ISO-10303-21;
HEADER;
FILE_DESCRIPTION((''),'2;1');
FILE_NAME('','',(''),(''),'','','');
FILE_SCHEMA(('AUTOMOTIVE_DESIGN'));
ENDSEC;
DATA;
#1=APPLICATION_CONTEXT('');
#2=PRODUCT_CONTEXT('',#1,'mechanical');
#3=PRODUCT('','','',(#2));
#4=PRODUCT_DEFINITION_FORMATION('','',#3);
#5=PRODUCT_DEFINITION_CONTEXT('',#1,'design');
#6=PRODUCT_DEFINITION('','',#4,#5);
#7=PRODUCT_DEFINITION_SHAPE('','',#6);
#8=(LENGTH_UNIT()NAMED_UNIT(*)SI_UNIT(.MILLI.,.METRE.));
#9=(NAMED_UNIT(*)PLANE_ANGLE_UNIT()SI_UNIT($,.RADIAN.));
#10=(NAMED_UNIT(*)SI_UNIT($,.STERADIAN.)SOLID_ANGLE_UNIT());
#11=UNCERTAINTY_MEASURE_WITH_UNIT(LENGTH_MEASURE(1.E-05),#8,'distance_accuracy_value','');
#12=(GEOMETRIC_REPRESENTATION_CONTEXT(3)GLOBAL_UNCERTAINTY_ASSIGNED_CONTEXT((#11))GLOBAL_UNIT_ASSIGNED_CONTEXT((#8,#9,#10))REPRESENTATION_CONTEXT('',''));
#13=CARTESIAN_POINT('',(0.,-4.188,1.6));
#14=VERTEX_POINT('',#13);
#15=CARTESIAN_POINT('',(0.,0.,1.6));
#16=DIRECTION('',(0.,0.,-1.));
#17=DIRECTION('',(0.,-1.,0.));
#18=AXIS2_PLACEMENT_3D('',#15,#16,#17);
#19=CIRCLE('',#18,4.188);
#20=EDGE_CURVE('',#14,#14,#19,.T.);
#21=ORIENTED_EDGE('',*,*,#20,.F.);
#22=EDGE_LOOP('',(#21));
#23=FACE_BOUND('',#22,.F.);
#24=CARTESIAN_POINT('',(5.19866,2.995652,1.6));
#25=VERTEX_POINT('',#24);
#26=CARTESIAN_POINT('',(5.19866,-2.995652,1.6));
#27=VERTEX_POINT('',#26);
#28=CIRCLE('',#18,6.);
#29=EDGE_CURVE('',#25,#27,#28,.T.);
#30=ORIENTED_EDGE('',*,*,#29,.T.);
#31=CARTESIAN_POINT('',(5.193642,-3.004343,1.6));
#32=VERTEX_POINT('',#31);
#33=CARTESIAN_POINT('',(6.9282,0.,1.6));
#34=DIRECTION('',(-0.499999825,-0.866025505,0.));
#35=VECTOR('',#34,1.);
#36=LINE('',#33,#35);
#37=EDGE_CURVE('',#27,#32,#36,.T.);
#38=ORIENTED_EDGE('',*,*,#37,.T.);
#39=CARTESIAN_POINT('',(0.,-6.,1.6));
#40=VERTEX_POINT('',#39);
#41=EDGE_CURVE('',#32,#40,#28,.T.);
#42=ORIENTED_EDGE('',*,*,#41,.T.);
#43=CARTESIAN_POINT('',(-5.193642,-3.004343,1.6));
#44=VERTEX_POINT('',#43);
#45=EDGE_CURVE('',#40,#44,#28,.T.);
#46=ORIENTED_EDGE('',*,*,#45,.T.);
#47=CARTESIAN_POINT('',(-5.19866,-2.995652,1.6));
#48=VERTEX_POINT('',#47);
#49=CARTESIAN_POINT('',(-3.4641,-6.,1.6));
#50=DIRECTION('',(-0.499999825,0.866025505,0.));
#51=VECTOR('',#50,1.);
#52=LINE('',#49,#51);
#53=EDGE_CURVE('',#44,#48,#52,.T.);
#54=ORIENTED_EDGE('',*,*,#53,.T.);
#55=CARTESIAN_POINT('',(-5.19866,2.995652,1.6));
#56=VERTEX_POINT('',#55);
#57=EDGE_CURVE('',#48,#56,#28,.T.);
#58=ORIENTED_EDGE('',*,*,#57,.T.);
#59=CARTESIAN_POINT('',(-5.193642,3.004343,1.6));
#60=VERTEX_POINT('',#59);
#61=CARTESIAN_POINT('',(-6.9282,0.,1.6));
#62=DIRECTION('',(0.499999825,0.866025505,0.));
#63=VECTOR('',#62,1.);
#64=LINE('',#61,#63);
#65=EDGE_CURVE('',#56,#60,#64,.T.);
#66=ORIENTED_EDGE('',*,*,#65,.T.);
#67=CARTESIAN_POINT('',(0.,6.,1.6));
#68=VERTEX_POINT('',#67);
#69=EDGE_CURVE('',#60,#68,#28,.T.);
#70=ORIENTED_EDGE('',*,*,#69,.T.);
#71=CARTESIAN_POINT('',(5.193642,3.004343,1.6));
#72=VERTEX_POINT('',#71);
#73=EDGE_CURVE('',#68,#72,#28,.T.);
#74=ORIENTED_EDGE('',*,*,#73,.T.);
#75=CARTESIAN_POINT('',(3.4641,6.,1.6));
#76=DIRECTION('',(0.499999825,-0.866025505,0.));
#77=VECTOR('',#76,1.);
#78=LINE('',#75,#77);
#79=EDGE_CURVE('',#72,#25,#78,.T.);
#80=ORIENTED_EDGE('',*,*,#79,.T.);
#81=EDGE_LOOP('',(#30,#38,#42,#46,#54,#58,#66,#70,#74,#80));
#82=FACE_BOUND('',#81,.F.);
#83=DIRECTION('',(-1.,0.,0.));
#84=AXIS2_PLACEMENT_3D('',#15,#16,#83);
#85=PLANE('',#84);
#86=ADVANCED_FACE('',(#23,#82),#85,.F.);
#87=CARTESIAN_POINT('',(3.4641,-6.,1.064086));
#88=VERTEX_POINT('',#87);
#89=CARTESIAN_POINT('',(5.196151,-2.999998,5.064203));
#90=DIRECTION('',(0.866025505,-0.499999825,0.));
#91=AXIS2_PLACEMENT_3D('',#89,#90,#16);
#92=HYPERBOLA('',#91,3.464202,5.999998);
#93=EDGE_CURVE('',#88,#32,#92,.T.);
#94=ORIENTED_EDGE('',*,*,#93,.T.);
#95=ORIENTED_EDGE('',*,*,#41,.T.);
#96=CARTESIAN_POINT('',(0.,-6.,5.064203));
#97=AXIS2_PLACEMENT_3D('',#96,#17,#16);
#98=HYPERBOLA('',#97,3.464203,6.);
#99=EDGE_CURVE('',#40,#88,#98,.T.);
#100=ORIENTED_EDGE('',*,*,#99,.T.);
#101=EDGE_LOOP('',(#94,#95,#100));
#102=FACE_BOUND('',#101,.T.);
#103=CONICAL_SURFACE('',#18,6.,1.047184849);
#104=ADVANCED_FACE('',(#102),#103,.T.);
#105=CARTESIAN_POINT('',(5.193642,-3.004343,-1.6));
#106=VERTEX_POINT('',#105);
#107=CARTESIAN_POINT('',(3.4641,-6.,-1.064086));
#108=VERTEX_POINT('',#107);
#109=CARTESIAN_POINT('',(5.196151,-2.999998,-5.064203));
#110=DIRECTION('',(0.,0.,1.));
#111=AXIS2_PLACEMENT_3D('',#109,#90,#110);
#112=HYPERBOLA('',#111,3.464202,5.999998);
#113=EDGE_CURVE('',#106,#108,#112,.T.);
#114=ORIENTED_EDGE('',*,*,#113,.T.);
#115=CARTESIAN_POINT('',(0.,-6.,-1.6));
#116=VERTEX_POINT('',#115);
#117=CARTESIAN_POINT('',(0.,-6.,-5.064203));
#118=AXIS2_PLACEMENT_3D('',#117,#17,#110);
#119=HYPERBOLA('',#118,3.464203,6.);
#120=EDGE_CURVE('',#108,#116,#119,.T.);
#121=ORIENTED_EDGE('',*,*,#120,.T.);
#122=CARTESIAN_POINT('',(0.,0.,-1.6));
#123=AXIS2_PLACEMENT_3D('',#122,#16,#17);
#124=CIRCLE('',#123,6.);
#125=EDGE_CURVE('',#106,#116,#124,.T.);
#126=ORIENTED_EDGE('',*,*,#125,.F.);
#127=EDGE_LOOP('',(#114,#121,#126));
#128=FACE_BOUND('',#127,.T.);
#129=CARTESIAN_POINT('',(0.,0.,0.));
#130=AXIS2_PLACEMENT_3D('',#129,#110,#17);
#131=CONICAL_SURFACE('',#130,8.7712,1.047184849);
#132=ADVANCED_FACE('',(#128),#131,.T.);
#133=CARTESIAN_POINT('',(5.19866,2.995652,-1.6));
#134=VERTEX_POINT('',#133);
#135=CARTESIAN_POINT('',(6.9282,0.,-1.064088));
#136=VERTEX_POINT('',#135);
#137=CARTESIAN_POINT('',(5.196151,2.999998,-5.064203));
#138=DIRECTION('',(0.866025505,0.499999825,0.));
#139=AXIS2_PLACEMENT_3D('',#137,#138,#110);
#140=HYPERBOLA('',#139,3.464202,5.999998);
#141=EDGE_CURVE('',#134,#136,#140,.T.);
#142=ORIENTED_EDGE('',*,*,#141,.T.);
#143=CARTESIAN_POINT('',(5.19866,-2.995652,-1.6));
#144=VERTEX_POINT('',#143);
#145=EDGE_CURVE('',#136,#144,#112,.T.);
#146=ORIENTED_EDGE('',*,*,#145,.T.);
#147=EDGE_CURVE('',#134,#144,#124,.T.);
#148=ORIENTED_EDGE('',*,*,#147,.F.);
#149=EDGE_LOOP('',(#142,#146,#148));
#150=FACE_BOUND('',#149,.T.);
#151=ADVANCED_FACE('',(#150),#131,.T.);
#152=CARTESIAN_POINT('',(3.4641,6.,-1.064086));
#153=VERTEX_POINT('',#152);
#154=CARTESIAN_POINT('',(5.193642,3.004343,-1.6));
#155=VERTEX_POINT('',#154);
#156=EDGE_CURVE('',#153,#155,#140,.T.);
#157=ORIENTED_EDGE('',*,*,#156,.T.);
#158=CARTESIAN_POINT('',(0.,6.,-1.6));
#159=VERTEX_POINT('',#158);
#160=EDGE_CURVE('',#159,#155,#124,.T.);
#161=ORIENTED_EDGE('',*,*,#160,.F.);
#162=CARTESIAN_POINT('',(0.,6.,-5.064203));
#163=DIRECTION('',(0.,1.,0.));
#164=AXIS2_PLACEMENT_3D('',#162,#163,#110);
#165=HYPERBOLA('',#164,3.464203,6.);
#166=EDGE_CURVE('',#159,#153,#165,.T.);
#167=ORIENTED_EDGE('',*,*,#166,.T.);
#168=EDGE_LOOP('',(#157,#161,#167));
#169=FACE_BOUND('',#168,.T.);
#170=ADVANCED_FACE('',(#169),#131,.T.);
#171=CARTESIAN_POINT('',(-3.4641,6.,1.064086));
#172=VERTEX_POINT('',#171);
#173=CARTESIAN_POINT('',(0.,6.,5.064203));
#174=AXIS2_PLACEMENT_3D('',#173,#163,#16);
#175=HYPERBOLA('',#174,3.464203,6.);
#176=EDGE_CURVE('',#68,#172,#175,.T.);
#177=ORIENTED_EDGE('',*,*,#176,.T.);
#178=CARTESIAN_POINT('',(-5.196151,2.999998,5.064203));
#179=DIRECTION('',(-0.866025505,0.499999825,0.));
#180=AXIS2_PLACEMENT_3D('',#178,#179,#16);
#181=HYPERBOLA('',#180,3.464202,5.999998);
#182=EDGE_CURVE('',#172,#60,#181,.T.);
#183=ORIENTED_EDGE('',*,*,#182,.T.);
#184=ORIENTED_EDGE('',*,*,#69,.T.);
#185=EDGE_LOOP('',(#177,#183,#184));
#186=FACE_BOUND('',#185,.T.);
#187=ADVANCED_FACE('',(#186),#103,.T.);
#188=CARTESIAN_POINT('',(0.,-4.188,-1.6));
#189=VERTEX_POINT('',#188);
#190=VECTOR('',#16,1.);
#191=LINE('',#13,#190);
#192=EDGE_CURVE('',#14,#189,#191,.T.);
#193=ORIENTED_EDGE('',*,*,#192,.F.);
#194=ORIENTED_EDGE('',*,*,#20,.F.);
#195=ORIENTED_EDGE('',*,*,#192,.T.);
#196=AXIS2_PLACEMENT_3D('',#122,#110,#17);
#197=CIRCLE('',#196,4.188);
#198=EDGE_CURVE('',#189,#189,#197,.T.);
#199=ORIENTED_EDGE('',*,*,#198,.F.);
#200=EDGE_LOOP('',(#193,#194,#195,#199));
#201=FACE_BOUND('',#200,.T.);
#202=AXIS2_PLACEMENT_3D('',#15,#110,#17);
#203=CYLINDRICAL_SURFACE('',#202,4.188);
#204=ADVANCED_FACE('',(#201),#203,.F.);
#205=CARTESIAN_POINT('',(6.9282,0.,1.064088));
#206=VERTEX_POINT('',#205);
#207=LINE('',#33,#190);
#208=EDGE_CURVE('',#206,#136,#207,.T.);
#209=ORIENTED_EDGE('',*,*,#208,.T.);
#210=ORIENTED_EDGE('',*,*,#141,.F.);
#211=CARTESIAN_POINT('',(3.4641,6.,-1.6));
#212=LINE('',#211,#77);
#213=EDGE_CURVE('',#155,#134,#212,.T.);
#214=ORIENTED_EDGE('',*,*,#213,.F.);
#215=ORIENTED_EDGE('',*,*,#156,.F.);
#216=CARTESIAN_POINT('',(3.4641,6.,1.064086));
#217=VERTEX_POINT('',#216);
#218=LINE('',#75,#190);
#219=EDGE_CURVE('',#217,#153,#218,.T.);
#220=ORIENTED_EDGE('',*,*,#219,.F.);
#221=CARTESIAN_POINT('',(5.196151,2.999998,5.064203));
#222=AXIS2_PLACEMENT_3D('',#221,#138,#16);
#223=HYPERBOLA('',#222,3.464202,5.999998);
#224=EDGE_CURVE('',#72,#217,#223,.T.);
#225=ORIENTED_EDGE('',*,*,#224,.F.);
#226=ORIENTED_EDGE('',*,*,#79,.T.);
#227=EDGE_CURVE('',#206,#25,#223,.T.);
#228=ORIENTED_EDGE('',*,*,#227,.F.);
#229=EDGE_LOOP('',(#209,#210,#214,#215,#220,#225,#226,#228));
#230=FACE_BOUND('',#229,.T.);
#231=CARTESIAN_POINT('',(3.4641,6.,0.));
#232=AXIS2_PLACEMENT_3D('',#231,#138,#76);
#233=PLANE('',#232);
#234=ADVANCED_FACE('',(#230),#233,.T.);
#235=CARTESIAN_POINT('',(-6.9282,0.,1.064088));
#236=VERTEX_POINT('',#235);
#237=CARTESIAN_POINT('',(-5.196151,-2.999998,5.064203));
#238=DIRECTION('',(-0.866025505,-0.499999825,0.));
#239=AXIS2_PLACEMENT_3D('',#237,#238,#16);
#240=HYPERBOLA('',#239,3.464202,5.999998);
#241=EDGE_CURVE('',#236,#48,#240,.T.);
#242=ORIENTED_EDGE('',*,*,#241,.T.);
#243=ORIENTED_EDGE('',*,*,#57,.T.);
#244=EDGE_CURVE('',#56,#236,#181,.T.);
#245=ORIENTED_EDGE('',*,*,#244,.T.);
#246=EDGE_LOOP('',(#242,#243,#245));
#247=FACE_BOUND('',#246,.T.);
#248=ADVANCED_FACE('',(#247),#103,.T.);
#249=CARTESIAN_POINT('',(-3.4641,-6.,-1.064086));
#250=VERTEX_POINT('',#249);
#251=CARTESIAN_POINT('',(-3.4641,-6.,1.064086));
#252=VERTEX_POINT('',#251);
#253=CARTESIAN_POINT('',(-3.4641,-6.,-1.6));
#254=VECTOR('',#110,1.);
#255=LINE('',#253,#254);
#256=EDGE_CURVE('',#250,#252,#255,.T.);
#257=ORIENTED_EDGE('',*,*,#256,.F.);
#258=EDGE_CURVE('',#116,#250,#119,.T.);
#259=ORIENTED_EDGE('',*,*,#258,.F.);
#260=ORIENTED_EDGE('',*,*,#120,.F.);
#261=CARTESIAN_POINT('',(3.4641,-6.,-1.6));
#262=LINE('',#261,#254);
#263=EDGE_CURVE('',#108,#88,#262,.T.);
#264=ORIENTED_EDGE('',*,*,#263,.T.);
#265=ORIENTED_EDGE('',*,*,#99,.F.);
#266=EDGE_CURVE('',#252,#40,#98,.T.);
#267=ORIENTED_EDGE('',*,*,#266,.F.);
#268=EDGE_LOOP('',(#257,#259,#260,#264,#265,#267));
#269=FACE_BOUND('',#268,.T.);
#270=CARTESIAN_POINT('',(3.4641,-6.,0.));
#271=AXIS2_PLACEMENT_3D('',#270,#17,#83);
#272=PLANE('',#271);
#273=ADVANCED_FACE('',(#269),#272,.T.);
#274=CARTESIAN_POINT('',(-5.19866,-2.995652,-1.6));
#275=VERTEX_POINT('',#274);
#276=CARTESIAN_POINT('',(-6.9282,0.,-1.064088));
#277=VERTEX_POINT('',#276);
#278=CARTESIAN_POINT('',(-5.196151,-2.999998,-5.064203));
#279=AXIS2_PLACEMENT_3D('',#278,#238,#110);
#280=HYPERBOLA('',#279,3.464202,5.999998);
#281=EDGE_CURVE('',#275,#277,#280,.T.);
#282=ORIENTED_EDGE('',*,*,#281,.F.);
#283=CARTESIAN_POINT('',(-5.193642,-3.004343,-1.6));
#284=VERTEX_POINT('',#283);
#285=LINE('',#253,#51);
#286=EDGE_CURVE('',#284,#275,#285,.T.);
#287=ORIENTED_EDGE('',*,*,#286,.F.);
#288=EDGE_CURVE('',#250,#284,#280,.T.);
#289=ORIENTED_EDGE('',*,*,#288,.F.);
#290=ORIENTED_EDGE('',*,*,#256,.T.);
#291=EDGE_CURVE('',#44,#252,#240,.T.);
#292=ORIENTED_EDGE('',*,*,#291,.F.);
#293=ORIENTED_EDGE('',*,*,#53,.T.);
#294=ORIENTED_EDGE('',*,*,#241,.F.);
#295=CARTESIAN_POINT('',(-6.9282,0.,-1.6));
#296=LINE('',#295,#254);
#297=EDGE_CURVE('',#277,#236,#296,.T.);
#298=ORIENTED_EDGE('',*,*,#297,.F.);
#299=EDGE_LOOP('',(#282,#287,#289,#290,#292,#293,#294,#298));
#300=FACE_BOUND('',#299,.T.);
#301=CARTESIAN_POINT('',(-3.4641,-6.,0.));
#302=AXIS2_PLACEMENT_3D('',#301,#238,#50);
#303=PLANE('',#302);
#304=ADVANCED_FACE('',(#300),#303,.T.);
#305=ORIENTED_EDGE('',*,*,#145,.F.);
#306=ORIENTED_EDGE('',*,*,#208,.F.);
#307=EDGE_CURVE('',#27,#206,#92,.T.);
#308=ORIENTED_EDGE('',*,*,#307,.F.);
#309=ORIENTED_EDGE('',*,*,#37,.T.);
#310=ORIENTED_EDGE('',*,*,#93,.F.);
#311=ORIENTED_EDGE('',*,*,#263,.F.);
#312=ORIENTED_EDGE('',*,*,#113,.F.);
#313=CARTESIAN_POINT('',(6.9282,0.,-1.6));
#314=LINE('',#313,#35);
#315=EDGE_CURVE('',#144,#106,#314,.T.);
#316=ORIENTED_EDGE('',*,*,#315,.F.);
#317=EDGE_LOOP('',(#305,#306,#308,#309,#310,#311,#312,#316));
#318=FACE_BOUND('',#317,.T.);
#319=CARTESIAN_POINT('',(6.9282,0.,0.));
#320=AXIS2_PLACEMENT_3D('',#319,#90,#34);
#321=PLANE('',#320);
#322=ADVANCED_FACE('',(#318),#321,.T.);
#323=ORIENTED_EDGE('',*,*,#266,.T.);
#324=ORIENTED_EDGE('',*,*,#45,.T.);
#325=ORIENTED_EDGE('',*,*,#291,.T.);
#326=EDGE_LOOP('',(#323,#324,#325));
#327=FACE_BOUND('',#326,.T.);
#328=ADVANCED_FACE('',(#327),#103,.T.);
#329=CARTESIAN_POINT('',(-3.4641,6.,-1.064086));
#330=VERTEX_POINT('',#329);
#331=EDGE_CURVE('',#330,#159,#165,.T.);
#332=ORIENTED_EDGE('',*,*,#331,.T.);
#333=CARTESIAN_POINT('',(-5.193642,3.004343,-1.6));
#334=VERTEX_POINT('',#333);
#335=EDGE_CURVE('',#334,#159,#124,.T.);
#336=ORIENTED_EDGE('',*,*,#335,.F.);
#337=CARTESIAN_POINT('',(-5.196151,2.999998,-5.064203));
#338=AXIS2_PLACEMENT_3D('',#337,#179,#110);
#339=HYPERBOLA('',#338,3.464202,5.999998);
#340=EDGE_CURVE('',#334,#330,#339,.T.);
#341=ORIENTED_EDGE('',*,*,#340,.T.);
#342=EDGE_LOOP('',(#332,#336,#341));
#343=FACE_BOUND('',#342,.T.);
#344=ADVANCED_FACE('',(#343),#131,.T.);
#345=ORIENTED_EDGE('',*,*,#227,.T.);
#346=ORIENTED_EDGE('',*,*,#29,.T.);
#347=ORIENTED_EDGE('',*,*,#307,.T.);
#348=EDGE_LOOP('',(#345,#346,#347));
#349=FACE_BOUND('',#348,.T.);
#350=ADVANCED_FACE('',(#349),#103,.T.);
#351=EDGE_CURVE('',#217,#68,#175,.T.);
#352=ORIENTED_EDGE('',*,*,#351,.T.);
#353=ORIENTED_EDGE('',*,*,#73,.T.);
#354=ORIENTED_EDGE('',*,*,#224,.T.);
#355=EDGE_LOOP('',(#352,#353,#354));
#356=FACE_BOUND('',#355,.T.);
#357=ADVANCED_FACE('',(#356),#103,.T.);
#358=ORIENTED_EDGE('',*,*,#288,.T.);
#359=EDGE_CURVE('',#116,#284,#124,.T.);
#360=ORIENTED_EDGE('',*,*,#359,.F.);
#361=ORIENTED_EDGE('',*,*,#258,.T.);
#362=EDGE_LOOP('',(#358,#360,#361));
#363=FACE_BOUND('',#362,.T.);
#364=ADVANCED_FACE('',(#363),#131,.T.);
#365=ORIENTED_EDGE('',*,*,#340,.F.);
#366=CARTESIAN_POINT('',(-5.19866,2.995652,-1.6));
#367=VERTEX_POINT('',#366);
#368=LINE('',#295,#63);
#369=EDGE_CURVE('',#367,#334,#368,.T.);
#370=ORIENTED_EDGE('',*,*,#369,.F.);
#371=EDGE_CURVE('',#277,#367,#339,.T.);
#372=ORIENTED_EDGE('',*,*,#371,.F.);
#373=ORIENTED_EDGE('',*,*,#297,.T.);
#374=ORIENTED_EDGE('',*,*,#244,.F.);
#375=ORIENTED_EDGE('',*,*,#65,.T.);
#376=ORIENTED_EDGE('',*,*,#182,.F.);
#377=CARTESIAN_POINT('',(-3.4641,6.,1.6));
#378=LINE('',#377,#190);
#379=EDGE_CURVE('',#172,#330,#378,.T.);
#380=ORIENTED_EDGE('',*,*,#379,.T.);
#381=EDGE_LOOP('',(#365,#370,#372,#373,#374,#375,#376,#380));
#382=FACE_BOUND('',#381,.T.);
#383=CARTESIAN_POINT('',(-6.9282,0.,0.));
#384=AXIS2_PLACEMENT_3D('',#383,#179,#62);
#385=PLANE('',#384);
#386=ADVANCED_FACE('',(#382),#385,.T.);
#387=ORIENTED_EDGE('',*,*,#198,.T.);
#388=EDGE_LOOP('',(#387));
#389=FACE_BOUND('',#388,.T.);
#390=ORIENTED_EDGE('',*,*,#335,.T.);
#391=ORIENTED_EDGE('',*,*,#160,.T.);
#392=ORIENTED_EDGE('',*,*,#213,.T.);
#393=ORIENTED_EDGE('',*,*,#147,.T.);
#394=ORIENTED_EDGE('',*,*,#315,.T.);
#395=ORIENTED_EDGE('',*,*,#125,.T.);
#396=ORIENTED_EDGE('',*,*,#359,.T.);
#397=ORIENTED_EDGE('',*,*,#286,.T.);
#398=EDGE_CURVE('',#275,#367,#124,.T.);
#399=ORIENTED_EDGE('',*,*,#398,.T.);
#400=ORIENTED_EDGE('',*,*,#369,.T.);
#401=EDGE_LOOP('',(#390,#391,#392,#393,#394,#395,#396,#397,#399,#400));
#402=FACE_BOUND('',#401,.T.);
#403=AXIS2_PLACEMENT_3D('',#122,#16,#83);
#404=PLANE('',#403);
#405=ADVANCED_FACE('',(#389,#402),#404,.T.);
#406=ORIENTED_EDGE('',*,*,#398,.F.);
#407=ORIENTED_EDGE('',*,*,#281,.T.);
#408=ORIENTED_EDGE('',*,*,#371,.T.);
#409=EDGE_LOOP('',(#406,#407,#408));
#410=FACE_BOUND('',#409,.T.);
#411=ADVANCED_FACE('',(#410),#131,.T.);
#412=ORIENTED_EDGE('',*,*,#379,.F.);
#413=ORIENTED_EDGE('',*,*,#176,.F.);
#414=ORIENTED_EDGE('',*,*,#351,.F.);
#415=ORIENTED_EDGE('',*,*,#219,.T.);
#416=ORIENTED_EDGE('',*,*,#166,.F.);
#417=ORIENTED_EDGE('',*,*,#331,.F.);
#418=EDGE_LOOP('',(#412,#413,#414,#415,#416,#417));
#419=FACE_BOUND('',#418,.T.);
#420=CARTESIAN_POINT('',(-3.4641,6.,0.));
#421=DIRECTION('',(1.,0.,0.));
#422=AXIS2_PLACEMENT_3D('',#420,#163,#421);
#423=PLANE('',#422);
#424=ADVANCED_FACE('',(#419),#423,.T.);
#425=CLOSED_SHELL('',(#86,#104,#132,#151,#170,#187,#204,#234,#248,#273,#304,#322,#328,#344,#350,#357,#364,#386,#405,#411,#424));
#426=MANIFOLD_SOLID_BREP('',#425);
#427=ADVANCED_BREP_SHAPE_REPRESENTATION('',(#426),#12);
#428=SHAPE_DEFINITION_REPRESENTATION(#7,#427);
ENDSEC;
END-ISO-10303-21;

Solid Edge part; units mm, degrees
sketch "Sketch1" plane through (10.8674, 10.8674, 0) normal (0, 0, 1) x (1, 0, 0)
  line L0 (-17.7956, -10.8674) -> (-14.3315, -4.8674)
  line L1 (-14.3315, -4.8674) -> (-7.4033, -4.8674)
  line L2 (-7.4033, -4.8674) -> (-3.9392, -10.8674)
  line L3 (-3.9392, -10.8674) -> (-7.4033, -16.8674)
  line L4 (-7.4033, -16.8674) -> (-14.3315, -16.8674)
  line L5 (-14.3315, -16.8674) -> (-17.7956, -10.8674)
  dimension "D1" = 12
extrude "Protrusion1" add sketch "Sketch1" along normal mid plane 3.2
sketch "Sketch2" plane through (0, 8.3963, 8.3963) normal (1, 0, 0) x (0, 1, 0)
  line L0 (-14.3963, -6.7963) -> (-17.1675, -8.3963)
  line L1 (-17.1675, -8.3963) -> (-14.3963, -9.9963)
revolve "RevolvedCutout1" cut sketch "Sketch2" angle 360 about axis through (0, 0, 1.6) along (0, 0, -1) material side at (0, -7.4106, 0.8433)
hole "Hål_M10" at (0, 0, 1.6) direction (0, 0, -1) diameter 8.376 end up to next
properties material "Iron"
